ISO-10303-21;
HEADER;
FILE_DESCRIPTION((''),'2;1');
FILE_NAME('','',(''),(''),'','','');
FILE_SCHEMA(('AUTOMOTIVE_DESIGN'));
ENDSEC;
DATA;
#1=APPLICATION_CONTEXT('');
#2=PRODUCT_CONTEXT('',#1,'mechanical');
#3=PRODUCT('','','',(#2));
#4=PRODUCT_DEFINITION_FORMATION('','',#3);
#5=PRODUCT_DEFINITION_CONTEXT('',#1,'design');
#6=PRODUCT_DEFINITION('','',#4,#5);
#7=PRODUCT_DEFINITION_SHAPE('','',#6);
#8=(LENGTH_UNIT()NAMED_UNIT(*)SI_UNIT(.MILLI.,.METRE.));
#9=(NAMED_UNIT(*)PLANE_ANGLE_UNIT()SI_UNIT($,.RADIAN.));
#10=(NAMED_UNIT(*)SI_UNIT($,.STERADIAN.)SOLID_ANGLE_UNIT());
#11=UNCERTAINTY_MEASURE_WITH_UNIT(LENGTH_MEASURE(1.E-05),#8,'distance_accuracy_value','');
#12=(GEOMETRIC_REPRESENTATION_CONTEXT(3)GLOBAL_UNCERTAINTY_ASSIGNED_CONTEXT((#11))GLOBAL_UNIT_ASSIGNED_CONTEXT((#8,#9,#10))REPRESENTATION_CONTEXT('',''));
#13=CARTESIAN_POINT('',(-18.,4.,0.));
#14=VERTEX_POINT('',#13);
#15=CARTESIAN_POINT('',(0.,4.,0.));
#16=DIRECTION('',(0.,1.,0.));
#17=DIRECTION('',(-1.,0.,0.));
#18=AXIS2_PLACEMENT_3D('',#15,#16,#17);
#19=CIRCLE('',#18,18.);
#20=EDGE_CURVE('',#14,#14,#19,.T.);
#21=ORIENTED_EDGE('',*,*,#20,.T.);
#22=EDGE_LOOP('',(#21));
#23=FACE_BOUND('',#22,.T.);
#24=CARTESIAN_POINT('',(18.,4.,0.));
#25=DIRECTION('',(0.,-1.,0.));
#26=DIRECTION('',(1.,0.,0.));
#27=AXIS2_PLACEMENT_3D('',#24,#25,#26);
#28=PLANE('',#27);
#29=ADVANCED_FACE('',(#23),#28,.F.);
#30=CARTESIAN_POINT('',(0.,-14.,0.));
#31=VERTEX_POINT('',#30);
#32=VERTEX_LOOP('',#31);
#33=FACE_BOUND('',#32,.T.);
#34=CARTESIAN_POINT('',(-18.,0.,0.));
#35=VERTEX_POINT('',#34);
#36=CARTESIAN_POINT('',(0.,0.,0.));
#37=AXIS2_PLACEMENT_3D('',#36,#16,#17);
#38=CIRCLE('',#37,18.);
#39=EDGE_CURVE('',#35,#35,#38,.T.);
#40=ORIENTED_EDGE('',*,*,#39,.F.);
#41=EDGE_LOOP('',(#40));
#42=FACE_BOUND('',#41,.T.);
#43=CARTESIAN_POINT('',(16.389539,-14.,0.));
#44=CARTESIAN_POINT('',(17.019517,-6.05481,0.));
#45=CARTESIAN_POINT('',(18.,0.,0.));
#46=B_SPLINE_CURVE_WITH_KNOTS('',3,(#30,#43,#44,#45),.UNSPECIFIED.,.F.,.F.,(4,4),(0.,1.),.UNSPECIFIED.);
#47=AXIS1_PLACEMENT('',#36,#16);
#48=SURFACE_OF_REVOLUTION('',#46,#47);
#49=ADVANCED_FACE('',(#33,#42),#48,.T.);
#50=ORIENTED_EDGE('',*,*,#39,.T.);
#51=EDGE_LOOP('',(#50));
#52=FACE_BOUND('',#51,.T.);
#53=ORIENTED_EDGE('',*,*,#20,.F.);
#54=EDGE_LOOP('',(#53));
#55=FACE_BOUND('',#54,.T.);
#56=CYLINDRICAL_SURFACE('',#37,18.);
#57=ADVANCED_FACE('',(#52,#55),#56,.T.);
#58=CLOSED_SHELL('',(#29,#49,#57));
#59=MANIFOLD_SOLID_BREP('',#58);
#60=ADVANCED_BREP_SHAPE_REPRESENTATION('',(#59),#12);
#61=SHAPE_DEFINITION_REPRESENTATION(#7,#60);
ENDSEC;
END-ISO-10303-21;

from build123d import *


with BuildPart() as part:
    # Sketch1 → Revolve1 (revolve)
    with BuildSketch(Plane.XY, mode=Mode.PRIVATE) as revolve1_sk:
        with BuildLine():
            Line((0, 0), (0, -14))
            add(Edge.make_bspline(
                [(0, -14), (16.389539142, -14), (17.019517421, -6.054809845), (18, 0)],
                knots=[0, 0, 0, 0, 1, 1, 1, 1], degree=3))
            Line((18, 0), (18, 4))
            Line((18, 4), (0, 4))
            Line((0, 4), (0, 0))
        make_face()
    revolve(revolve1_sk.sketch.rotate(Axis((0, 0, 0), (0, -1, 0)), 180), axis=Axis((0, 0, 0), (0, -1, 0)))


solid = part.part
